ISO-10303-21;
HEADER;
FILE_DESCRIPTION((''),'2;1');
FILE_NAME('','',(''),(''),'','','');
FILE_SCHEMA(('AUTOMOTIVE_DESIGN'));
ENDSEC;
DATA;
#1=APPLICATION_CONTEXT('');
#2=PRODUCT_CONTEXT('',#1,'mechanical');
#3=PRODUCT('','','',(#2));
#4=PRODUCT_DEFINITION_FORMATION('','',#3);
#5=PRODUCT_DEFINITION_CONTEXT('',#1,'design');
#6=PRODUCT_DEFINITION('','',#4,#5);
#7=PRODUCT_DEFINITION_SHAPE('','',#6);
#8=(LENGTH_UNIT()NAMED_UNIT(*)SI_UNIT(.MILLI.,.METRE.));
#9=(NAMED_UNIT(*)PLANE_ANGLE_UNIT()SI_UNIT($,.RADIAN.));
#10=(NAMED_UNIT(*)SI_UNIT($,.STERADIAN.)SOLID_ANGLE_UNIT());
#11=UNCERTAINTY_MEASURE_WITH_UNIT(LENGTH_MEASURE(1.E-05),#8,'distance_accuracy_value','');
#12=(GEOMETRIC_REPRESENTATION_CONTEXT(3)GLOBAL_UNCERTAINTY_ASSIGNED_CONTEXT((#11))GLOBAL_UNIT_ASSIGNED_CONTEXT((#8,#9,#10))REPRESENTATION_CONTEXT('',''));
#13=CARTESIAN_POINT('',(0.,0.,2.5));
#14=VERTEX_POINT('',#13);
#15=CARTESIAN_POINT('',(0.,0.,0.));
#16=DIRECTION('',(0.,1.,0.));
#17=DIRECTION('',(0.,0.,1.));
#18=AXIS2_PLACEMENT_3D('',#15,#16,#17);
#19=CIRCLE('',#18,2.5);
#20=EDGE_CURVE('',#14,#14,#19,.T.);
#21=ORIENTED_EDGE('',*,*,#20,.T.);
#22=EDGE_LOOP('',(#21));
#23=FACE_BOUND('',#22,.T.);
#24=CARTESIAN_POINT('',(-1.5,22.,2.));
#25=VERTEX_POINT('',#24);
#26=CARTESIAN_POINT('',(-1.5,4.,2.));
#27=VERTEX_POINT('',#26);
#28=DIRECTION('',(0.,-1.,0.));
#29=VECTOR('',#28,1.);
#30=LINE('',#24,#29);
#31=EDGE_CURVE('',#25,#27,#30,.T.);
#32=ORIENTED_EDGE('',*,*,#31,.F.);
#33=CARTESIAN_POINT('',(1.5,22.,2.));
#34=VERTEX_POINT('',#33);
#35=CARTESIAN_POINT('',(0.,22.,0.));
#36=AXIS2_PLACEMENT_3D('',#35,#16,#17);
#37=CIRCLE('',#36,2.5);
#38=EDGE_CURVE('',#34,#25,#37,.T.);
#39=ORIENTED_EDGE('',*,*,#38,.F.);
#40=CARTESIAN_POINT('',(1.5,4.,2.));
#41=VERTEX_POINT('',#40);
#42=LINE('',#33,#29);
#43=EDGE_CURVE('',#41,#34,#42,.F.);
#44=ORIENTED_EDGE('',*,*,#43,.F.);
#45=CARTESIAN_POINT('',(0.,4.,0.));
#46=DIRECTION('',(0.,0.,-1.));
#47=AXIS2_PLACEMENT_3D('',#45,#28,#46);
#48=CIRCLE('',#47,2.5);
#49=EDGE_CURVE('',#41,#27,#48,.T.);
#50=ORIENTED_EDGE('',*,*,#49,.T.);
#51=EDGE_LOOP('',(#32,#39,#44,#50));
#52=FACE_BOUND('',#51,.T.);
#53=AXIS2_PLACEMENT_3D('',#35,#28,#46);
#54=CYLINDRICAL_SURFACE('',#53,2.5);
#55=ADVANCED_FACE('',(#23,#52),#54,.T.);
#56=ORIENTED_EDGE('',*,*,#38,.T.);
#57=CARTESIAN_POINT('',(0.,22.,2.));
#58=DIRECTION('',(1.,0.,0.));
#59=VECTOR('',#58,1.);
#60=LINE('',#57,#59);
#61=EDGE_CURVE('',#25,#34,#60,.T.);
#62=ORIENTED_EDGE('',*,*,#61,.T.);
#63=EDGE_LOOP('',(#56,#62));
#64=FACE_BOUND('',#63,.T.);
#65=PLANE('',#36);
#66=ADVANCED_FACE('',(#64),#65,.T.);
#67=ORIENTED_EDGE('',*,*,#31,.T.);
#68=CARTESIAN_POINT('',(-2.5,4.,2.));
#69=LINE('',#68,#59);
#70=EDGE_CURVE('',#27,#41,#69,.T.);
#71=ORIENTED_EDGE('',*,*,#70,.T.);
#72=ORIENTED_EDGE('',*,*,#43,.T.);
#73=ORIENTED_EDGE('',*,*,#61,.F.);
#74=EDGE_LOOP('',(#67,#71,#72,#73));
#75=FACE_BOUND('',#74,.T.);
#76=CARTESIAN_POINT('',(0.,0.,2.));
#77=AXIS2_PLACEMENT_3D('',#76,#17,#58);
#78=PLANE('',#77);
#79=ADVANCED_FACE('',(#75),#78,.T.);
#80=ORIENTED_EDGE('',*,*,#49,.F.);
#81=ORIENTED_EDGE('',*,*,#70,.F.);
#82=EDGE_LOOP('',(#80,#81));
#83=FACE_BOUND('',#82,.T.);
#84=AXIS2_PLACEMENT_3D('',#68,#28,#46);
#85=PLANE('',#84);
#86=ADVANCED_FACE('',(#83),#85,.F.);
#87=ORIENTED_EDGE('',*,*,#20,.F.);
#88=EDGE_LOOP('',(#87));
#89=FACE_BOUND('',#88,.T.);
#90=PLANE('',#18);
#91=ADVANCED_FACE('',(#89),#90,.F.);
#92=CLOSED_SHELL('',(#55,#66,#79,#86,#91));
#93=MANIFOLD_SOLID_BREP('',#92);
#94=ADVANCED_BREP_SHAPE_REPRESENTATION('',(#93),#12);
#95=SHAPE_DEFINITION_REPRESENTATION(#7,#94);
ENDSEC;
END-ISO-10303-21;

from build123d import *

# Parameters (mm, degrees)
SKETCH_1_R          = 2.5
EXTRUDE_1_DEPTH     = 22
SKETCH_2_W          = 5
SKETCH_2_H          = 18
CUT_EXTRUDE_1_DEPTH = 0.5


with BuildPart() as part:
    # 草图1 → 凸台-拉伸1 (new body)
    with BuildSketch(Plane(origin=(0, 0, 0), x_dir=(1, 0, 0), z_dir=(0, 1, 0))):
        Circle(SKETCH_1_R)
    extrude(amount=EXTRUDE_1_DEPTH)

    # 草图2 → 切除-拉伸1 (cut)
    with BuildSketch(Plane.XY.offset(2.5)):
        with Locations((0, 13)):
            Rectangle(SKETCH_2_W, SKETCH_2_H)
    extrude(amount=-CUT_EXTRUDE_1_DEPTH, mode=Mode.SUBTRACT)


solid = part.part
